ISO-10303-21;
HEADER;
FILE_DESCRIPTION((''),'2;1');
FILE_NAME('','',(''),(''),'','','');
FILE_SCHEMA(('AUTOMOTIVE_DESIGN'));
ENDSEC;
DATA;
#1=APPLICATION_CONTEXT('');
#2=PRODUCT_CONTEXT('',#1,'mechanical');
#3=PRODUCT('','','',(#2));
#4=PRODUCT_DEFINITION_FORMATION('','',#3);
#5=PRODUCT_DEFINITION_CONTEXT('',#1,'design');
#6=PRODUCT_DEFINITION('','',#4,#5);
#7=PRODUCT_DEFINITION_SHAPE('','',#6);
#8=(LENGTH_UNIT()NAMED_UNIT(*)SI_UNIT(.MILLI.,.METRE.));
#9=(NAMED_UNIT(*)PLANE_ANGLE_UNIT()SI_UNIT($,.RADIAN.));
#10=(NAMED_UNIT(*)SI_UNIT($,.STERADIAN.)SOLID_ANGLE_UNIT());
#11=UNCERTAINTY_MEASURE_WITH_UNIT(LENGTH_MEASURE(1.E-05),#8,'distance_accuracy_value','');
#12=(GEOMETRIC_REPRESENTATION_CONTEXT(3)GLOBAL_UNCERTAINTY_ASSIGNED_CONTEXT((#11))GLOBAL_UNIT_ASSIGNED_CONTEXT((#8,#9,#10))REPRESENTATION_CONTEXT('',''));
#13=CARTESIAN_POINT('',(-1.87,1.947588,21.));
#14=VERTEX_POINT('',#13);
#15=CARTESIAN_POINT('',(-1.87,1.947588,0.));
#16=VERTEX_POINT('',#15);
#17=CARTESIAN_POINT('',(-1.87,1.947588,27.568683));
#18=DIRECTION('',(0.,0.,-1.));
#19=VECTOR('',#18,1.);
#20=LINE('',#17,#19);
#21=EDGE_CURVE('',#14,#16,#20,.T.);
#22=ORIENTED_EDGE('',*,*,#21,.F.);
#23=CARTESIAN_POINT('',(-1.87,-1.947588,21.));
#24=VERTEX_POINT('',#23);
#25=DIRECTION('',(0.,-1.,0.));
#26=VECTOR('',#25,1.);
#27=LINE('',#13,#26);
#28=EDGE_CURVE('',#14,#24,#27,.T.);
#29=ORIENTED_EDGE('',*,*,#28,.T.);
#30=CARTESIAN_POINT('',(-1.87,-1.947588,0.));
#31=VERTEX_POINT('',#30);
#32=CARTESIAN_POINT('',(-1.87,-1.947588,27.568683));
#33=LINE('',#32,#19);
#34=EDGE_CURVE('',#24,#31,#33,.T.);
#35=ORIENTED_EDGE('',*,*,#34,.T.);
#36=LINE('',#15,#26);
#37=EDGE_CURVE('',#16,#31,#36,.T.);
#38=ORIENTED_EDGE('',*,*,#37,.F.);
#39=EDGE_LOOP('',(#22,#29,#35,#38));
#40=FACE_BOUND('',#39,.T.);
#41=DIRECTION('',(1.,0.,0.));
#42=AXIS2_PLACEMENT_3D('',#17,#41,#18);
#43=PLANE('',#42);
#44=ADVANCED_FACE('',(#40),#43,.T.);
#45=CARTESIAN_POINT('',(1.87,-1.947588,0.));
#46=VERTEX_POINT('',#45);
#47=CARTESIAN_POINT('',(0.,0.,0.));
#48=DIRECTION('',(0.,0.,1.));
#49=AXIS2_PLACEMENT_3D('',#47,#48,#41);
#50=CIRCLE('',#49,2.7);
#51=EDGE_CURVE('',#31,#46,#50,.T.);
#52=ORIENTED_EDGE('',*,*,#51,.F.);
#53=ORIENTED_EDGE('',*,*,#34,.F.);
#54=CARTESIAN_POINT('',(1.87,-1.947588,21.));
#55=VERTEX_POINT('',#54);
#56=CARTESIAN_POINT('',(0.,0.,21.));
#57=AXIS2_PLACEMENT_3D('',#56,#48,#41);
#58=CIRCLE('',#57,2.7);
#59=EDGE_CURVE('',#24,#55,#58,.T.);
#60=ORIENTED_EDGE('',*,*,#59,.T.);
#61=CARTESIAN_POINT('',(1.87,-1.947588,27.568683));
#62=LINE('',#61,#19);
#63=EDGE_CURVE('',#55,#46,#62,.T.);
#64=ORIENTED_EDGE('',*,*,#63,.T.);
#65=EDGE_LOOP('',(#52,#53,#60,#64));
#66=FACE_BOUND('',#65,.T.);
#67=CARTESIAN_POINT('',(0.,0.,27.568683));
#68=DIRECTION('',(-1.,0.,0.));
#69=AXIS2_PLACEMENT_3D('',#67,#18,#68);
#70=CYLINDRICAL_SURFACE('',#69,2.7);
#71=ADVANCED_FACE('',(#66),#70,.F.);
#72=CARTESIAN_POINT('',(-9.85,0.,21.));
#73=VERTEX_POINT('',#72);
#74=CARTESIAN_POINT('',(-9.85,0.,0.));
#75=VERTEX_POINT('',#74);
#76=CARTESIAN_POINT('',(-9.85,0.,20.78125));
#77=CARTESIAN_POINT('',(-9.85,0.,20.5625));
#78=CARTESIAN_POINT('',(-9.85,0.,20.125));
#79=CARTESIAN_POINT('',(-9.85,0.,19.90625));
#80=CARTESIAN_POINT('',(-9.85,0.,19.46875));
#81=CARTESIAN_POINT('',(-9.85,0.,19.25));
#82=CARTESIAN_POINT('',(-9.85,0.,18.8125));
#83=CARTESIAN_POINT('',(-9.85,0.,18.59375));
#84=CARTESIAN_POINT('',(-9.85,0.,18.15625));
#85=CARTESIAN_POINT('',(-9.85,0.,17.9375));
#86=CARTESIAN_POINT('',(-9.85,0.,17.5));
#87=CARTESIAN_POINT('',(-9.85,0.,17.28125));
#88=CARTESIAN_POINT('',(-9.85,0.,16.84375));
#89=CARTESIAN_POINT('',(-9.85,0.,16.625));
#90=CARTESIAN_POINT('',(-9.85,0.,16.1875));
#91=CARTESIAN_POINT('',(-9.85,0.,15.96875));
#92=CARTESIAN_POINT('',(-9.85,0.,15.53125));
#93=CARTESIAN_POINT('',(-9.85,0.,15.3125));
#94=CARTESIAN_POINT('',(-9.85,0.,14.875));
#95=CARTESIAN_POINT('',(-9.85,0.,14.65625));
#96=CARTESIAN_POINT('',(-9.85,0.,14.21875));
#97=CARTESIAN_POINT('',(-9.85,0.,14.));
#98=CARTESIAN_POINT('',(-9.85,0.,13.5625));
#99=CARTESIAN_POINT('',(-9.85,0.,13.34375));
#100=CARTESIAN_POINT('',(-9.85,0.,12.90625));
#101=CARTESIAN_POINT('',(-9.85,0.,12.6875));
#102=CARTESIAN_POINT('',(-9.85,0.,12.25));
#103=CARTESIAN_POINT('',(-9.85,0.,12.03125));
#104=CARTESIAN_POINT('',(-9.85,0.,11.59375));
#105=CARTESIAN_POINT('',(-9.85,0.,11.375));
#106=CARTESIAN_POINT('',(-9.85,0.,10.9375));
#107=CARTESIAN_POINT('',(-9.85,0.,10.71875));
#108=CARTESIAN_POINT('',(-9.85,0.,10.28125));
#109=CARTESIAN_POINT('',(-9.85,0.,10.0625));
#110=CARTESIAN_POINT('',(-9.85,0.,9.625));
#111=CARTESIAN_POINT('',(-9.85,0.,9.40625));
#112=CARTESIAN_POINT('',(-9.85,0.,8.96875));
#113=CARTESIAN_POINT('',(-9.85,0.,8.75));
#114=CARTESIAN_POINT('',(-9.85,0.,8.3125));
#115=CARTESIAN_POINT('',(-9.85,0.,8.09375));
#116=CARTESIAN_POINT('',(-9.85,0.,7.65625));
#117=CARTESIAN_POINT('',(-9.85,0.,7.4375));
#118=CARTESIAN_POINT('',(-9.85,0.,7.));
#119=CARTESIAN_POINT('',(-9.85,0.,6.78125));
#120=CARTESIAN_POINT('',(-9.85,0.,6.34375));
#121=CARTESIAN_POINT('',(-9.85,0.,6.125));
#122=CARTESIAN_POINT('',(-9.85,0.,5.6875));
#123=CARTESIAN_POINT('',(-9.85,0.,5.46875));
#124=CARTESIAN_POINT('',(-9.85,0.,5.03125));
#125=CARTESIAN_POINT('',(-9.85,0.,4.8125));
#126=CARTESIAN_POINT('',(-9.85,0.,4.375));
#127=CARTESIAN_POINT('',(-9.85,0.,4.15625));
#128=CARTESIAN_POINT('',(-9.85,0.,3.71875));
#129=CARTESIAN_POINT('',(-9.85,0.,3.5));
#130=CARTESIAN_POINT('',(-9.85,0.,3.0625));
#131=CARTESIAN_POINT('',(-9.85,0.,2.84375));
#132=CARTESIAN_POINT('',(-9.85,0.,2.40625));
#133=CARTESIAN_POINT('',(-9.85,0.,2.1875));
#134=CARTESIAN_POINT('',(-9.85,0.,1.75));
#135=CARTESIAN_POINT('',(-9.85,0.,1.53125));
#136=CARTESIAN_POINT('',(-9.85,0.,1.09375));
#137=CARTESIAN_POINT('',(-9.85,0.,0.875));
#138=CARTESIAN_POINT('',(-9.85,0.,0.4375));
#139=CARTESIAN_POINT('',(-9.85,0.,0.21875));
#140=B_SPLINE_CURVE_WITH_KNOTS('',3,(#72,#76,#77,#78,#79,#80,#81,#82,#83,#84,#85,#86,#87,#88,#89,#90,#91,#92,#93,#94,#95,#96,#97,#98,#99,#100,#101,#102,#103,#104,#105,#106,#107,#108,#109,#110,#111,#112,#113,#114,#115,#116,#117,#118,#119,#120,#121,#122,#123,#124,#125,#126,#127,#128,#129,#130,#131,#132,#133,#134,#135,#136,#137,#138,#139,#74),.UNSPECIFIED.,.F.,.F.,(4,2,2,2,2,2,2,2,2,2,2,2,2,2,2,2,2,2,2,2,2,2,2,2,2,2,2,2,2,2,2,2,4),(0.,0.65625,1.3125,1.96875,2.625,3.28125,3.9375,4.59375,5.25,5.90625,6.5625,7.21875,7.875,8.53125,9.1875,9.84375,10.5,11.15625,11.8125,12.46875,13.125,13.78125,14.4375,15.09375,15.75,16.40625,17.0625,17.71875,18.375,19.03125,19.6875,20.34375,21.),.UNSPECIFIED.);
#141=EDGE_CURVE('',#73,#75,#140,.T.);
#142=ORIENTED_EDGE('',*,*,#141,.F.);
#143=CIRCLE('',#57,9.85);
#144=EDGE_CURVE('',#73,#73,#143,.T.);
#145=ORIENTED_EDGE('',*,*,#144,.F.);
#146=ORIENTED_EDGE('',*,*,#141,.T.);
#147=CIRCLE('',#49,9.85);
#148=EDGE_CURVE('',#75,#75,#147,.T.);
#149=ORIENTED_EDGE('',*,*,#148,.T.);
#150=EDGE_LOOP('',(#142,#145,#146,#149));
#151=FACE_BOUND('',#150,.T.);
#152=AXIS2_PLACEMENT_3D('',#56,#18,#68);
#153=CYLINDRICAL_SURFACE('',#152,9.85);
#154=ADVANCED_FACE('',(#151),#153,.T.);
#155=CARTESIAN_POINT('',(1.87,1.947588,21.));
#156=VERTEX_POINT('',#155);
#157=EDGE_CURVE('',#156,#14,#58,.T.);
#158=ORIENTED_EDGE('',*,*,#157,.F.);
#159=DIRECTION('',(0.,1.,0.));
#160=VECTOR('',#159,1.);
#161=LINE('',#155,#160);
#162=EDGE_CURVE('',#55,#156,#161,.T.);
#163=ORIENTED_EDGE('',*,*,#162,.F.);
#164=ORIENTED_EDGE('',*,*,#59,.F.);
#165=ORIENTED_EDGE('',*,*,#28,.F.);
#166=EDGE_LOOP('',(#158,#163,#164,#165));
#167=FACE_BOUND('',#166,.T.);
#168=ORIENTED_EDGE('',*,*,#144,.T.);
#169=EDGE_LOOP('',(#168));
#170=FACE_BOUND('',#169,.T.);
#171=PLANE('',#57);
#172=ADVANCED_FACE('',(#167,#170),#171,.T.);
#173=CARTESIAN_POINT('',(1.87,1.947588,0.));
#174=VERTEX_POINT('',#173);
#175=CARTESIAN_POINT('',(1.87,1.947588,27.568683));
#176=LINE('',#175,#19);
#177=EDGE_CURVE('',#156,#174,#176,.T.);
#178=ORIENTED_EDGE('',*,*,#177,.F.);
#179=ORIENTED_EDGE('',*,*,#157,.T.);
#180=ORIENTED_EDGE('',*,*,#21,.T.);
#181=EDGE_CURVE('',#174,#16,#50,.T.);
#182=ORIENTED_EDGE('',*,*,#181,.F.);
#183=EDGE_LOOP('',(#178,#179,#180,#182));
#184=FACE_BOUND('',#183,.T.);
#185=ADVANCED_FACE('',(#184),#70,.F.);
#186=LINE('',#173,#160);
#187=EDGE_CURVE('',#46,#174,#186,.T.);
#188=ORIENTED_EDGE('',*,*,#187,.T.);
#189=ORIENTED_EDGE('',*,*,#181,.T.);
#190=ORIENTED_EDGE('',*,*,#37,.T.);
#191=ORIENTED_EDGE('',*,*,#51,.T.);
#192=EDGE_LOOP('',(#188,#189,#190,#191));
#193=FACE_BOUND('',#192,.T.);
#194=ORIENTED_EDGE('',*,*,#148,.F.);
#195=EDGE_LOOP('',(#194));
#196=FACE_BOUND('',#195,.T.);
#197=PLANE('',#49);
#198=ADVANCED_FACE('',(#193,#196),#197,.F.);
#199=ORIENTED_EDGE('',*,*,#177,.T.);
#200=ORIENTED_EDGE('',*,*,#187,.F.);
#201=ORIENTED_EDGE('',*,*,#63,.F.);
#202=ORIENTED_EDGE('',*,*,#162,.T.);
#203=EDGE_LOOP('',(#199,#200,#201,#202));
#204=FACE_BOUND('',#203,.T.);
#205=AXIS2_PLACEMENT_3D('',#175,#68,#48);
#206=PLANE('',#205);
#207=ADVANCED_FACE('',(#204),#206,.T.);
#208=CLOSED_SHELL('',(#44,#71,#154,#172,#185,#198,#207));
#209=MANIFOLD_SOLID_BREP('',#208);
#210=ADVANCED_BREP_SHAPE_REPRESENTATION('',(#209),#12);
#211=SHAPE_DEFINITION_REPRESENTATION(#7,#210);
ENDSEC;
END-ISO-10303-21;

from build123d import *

# Parameters (mm, degrees)
CROQUIS1_R              = 9.85
SALIENTE_EXTRUIR2_DEPTH = 21
CORTAR_EXTRUIR1_DEPTH   = 21


with BuildPart() as part:
    # Croquis1 → Saliente-Extruir2 (new body)
    with BuildSketch(Plane.XY):
        with Locations(Location((0, 0, 0), (0, 0, 180))):
            Circle(CROQUIS1_R)
    extrude(amount=SALIENTE_EXTRUIR2_DEPTH)

    # Croquis2 → Cortar-Extruir1 (cut)
    with BuildSketch(Plane.XY):
        with BuildLine():
            Line((-1.87, 1.947588252), (-1.87, -1.947588252))
            ThreePointArc((-1.87, -1.947588252), (0, -2.7), (1.87, -1.947588252))
            Line((1.87, -1.947588252), (1.87, 1.947588252))
            ThreePointArc((1.87, 1.947588252), (0, 2.7), (-1.87, 1.947588252))
        make_face()
    extrude(amount=CORTAR_EXTRUIR1_DEPTH, mode=Mode.SUBTRACT)


solid = part.part
